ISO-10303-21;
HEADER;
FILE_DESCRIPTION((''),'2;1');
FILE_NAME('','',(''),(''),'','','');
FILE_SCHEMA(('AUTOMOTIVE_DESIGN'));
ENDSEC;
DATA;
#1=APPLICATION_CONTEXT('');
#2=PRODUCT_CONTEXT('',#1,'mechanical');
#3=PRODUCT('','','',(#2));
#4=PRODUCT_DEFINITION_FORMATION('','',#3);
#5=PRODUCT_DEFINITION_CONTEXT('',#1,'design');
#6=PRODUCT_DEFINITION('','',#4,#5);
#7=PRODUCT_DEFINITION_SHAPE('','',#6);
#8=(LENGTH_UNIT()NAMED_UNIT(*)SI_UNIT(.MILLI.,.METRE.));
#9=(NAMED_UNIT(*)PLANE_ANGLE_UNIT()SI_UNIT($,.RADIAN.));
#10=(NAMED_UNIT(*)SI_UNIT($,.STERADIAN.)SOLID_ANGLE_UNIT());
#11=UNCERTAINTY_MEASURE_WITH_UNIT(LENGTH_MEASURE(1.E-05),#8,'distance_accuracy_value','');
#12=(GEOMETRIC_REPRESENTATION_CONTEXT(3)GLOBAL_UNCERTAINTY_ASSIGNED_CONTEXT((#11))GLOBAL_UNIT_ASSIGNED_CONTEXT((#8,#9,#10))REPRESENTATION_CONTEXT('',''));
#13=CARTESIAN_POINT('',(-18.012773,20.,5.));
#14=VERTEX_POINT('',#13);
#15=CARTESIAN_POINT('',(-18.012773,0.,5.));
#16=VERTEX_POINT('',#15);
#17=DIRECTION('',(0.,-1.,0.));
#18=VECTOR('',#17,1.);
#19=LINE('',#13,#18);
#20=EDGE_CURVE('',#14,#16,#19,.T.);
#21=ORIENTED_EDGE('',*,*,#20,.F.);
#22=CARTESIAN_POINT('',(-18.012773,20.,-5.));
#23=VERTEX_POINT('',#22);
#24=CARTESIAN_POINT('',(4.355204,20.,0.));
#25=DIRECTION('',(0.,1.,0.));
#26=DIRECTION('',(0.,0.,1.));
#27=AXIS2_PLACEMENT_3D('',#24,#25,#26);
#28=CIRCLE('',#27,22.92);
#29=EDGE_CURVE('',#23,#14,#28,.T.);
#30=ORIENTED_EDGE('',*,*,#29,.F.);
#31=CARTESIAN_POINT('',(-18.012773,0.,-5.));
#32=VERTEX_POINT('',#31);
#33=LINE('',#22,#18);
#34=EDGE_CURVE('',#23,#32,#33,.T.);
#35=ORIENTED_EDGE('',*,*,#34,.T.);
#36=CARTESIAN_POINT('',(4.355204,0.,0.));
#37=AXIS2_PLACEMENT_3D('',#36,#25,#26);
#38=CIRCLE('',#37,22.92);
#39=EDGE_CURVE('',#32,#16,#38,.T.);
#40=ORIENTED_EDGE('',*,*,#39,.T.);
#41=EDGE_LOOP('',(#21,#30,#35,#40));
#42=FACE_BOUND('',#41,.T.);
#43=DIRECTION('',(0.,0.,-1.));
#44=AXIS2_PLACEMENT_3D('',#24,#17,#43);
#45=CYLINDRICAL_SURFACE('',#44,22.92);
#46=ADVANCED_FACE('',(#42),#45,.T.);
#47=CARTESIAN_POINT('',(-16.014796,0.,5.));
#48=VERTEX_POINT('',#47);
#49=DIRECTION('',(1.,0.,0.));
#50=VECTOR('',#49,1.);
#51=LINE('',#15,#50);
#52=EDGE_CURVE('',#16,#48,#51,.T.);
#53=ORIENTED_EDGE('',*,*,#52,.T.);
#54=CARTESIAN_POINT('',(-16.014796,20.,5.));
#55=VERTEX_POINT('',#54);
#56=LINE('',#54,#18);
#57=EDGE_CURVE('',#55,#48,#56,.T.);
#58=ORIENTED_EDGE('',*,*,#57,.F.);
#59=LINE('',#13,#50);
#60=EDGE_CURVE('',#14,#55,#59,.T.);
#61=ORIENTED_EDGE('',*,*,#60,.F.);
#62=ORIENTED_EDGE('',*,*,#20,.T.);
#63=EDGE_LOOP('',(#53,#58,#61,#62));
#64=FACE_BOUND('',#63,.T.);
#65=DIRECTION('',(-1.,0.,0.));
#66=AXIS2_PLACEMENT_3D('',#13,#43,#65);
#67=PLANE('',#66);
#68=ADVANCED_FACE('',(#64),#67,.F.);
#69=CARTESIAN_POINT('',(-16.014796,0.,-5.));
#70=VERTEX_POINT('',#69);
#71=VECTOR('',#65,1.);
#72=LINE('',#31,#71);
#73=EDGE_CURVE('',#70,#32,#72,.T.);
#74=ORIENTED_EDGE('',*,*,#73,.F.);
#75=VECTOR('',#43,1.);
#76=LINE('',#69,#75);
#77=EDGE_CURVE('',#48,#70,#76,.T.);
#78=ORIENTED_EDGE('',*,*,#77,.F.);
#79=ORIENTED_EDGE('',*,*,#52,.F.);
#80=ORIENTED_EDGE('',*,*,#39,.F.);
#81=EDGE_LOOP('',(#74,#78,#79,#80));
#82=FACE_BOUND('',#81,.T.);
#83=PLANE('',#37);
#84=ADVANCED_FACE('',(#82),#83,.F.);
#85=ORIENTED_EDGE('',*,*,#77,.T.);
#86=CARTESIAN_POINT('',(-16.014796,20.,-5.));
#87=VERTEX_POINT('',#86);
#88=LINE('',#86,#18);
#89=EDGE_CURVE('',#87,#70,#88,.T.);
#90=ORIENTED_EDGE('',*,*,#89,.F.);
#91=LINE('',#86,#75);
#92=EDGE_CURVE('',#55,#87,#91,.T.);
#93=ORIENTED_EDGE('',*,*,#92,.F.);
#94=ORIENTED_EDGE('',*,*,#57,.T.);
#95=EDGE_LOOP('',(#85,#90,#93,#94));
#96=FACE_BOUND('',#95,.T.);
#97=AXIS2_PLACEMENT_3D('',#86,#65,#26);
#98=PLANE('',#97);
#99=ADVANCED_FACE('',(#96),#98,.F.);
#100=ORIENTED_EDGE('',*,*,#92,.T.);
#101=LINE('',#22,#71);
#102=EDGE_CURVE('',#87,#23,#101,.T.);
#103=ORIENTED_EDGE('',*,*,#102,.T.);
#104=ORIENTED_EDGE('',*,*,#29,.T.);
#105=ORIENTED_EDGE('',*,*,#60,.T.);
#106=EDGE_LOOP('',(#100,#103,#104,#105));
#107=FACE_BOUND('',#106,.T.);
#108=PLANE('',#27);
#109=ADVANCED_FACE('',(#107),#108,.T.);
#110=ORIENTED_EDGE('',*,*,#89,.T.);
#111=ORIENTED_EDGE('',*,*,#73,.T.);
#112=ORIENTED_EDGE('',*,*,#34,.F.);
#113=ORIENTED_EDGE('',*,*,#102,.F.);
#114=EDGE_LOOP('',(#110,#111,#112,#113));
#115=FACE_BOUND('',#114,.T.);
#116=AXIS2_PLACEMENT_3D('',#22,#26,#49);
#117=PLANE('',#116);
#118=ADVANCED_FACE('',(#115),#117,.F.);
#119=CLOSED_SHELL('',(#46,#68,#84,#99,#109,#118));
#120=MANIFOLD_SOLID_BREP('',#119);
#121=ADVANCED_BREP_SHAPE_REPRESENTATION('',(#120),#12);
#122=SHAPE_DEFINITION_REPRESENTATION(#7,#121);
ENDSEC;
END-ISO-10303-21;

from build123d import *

# Parameters (mm, degrees)
EXTRUDE_1_DEPTH = 20


with BuildPart() as part:
    # 草图1 → 凸台-拉伸1 (new body)
    with BuildSketch(Plane(origin=(0, 0, 0), x_dir=(1, 0, 0), z_dir=(0, 1, 0))):
        with BuildLine():
            Line((-18.012772775, 5), (-16.014795665, 5))
            Line((-16.014795665, 5), (-16.014795665, -5))
            Line((-16.014795665, -5), (-18.012772775, -5))
            ThreePointArc((-18.012772775, -5), (-18.564795665, 0), (-18.012772775, 5))
        make_face()
    extrude(amount=EXTRUDE_1_DEPTH)


solid = part.part
